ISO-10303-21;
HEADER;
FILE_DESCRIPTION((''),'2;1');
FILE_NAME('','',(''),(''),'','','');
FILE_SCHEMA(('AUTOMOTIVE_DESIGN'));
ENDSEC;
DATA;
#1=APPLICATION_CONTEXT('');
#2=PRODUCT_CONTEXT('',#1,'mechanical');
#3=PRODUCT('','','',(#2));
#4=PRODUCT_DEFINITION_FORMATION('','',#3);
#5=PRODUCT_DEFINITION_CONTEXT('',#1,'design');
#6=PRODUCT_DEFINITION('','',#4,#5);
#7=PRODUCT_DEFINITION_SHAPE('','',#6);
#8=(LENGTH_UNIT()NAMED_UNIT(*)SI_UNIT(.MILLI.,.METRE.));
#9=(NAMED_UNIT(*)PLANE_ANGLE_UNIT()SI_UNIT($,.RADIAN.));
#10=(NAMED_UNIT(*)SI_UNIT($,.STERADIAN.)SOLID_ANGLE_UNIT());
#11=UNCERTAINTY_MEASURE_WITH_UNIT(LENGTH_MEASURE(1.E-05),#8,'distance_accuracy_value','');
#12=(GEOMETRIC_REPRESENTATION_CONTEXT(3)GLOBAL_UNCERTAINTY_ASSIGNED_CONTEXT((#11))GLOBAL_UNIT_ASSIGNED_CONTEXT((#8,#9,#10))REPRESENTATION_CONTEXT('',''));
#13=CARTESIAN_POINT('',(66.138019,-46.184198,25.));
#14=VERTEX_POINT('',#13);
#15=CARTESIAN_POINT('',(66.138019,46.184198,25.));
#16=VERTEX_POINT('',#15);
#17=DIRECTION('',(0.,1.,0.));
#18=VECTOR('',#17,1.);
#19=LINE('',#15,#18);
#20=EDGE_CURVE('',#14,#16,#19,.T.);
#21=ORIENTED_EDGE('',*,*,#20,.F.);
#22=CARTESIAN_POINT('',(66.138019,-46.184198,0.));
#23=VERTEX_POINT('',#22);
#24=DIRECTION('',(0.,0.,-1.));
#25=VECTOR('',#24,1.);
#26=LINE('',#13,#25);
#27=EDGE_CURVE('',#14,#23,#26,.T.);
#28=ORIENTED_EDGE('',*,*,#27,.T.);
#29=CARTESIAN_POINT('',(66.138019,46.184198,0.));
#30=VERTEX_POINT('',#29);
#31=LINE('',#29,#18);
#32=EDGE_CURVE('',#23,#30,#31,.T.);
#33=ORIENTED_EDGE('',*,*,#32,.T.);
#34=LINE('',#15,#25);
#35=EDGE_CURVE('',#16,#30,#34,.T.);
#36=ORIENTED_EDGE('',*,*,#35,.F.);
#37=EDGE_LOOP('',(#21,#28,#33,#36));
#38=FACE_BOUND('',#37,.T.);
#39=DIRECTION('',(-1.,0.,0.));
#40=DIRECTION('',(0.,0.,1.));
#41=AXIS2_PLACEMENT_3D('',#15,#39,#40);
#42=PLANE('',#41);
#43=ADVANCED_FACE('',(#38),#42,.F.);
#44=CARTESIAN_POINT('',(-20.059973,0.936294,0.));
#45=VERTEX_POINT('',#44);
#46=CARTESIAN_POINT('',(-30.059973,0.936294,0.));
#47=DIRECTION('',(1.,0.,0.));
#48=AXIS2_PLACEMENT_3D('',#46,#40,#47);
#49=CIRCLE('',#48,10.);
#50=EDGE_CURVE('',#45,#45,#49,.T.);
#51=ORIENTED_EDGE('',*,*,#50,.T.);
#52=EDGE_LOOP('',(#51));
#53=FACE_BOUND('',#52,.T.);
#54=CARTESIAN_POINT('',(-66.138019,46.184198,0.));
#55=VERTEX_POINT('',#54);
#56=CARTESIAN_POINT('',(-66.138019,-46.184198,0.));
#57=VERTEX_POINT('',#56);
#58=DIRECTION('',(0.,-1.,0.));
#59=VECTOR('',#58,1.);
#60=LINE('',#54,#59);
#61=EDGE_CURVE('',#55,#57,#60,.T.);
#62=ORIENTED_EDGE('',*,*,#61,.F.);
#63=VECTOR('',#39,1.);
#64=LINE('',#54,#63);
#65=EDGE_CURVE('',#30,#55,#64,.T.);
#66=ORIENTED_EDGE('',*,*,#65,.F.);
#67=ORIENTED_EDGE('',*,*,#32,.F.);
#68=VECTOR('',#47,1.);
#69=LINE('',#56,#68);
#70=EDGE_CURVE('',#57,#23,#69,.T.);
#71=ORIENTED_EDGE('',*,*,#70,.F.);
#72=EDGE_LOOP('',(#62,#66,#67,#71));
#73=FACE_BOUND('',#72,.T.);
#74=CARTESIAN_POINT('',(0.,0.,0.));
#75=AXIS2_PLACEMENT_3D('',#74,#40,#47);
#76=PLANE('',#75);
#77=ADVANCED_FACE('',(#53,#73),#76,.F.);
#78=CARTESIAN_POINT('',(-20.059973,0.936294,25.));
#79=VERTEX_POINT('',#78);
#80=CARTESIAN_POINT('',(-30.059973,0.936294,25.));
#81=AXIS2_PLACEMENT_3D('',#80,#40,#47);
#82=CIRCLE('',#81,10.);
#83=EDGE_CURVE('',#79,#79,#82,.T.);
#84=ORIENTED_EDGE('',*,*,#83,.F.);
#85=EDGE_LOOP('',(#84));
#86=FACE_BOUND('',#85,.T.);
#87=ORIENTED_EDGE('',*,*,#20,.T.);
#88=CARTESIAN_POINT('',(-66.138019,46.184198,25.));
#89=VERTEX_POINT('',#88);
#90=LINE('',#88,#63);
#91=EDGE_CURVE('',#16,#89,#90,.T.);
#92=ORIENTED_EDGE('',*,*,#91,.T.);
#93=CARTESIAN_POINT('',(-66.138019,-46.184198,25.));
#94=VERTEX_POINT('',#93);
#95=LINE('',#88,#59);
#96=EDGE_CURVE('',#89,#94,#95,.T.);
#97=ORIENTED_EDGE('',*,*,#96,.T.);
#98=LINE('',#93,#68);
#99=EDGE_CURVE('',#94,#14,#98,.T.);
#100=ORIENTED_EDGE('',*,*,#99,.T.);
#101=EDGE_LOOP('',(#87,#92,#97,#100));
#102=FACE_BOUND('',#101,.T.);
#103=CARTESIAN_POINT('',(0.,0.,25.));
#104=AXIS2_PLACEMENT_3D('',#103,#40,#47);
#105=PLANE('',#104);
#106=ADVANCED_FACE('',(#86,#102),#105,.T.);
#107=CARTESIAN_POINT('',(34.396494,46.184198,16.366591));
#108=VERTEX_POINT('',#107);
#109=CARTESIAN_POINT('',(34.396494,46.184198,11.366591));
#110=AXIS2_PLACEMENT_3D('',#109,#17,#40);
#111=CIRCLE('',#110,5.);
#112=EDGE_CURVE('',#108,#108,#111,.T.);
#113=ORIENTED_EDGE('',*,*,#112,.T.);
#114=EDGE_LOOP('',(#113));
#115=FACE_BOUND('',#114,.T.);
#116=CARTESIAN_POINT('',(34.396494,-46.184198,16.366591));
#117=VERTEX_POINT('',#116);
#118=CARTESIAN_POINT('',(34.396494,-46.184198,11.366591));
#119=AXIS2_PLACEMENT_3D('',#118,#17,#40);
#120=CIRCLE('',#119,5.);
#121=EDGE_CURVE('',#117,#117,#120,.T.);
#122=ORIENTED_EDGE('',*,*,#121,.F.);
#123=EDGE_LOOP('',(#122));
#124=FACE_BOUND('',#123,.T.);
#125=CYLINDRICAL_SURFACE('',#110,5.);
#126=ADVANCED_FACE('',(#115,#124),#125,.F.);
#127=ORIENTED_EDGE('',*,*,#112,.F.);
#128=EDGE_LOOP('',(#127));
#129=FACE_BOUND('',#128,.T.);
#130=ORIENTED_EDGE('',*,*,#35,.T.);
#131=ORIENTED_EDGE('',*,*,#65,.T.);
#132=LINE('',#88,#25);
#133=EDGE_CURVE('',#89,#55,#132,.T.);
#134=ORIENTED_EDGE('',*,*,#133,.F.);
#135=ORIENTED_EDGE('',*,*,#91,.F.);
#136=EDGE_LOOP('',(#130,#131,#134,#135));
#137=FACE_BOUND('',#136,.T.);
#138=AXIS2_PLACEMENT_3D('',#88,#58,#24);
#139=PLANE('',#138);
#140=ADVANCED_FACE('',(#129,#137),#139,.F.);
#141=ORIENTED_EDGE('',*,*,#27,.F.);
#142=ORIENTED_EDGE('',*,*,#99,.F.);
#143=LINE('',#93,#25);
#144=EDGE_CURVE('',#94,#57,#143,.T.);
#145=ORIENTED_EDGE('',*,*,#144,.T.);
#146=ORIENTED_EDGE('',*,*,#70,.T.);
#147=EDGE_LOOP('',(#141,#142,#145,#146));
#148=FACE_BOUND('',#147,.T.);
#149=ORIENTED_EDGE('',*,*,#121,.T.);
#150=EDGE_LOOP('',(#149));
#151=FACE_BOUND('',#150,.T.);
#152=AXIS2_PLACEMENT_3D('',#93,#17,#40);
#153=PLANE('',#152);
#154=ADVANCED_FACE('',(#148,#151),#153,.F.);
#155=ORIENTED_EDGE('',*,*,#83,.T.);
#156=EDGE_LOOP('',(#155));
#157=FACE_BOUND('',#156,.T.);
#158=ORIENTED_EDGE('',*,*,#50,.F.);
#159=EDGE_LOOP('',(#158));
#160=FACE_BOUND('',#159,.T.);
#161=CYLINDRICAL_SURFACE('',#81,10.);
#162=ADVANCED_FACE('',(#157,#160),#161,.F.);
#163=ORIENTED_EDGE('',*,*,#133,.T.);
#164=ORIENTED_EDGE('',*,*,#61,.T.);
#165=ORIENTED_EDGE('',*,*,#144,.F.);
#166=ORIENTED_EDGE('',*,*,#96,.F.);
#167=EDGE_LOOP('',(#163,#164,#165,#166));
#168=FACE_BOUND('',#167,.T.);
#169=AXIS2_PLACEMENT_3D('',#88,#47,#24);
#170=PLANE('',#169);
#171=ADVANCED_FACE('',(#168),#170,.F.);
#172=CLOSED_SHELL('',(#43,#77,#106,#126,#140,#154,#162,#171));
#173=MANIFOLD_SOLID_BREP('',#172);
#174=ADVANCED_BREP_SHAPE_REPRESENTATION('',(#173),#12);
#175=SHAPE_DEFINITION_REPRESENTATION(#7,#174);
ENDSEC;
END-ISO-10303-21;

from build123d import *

# Parameters (mm, degrees)
SKETCH1_W              = 132.276038998
SKETCH1_H              = 92.368395504
BOSS_EXTRUDE1_DEPTH    = 25
F_20_0MM_DOWEL_HOLE1_D = 20
F_10_0MM_DOWEL_HOLE1_D = 10


with BuildPart() as part:
    # Sketch1 → Boss-Extrude1 (new body)
    with BuildSketch(Plane.XY):
        Rectangle(SKETCH1_W, SKETCH1_H)
    extrude(amount=BOSS_EXTRUDE1_DEPTH)

    # Ø20.0mm Dowel Hole1 (through all)
    with Locations(Plane.XY.offset(25)):
        with Locations((-30.059973271, 0.936294249)):
            Hole(F_20_0MM_DOWEL_HOLE1_D / 2)

    # Ø10.0mm Dowel Hole1 (through all)
    with Locations(Plane(origin=(0, 46.184197752, 0), x_dir=(1, 0, 0), z_dir=(0, 1, 0))):
        with Locations((34.396494005, -11.366591172)):
            Hole(F_10_0MM_DOWEL_HOLE1_D / 2)


solid = part.part
